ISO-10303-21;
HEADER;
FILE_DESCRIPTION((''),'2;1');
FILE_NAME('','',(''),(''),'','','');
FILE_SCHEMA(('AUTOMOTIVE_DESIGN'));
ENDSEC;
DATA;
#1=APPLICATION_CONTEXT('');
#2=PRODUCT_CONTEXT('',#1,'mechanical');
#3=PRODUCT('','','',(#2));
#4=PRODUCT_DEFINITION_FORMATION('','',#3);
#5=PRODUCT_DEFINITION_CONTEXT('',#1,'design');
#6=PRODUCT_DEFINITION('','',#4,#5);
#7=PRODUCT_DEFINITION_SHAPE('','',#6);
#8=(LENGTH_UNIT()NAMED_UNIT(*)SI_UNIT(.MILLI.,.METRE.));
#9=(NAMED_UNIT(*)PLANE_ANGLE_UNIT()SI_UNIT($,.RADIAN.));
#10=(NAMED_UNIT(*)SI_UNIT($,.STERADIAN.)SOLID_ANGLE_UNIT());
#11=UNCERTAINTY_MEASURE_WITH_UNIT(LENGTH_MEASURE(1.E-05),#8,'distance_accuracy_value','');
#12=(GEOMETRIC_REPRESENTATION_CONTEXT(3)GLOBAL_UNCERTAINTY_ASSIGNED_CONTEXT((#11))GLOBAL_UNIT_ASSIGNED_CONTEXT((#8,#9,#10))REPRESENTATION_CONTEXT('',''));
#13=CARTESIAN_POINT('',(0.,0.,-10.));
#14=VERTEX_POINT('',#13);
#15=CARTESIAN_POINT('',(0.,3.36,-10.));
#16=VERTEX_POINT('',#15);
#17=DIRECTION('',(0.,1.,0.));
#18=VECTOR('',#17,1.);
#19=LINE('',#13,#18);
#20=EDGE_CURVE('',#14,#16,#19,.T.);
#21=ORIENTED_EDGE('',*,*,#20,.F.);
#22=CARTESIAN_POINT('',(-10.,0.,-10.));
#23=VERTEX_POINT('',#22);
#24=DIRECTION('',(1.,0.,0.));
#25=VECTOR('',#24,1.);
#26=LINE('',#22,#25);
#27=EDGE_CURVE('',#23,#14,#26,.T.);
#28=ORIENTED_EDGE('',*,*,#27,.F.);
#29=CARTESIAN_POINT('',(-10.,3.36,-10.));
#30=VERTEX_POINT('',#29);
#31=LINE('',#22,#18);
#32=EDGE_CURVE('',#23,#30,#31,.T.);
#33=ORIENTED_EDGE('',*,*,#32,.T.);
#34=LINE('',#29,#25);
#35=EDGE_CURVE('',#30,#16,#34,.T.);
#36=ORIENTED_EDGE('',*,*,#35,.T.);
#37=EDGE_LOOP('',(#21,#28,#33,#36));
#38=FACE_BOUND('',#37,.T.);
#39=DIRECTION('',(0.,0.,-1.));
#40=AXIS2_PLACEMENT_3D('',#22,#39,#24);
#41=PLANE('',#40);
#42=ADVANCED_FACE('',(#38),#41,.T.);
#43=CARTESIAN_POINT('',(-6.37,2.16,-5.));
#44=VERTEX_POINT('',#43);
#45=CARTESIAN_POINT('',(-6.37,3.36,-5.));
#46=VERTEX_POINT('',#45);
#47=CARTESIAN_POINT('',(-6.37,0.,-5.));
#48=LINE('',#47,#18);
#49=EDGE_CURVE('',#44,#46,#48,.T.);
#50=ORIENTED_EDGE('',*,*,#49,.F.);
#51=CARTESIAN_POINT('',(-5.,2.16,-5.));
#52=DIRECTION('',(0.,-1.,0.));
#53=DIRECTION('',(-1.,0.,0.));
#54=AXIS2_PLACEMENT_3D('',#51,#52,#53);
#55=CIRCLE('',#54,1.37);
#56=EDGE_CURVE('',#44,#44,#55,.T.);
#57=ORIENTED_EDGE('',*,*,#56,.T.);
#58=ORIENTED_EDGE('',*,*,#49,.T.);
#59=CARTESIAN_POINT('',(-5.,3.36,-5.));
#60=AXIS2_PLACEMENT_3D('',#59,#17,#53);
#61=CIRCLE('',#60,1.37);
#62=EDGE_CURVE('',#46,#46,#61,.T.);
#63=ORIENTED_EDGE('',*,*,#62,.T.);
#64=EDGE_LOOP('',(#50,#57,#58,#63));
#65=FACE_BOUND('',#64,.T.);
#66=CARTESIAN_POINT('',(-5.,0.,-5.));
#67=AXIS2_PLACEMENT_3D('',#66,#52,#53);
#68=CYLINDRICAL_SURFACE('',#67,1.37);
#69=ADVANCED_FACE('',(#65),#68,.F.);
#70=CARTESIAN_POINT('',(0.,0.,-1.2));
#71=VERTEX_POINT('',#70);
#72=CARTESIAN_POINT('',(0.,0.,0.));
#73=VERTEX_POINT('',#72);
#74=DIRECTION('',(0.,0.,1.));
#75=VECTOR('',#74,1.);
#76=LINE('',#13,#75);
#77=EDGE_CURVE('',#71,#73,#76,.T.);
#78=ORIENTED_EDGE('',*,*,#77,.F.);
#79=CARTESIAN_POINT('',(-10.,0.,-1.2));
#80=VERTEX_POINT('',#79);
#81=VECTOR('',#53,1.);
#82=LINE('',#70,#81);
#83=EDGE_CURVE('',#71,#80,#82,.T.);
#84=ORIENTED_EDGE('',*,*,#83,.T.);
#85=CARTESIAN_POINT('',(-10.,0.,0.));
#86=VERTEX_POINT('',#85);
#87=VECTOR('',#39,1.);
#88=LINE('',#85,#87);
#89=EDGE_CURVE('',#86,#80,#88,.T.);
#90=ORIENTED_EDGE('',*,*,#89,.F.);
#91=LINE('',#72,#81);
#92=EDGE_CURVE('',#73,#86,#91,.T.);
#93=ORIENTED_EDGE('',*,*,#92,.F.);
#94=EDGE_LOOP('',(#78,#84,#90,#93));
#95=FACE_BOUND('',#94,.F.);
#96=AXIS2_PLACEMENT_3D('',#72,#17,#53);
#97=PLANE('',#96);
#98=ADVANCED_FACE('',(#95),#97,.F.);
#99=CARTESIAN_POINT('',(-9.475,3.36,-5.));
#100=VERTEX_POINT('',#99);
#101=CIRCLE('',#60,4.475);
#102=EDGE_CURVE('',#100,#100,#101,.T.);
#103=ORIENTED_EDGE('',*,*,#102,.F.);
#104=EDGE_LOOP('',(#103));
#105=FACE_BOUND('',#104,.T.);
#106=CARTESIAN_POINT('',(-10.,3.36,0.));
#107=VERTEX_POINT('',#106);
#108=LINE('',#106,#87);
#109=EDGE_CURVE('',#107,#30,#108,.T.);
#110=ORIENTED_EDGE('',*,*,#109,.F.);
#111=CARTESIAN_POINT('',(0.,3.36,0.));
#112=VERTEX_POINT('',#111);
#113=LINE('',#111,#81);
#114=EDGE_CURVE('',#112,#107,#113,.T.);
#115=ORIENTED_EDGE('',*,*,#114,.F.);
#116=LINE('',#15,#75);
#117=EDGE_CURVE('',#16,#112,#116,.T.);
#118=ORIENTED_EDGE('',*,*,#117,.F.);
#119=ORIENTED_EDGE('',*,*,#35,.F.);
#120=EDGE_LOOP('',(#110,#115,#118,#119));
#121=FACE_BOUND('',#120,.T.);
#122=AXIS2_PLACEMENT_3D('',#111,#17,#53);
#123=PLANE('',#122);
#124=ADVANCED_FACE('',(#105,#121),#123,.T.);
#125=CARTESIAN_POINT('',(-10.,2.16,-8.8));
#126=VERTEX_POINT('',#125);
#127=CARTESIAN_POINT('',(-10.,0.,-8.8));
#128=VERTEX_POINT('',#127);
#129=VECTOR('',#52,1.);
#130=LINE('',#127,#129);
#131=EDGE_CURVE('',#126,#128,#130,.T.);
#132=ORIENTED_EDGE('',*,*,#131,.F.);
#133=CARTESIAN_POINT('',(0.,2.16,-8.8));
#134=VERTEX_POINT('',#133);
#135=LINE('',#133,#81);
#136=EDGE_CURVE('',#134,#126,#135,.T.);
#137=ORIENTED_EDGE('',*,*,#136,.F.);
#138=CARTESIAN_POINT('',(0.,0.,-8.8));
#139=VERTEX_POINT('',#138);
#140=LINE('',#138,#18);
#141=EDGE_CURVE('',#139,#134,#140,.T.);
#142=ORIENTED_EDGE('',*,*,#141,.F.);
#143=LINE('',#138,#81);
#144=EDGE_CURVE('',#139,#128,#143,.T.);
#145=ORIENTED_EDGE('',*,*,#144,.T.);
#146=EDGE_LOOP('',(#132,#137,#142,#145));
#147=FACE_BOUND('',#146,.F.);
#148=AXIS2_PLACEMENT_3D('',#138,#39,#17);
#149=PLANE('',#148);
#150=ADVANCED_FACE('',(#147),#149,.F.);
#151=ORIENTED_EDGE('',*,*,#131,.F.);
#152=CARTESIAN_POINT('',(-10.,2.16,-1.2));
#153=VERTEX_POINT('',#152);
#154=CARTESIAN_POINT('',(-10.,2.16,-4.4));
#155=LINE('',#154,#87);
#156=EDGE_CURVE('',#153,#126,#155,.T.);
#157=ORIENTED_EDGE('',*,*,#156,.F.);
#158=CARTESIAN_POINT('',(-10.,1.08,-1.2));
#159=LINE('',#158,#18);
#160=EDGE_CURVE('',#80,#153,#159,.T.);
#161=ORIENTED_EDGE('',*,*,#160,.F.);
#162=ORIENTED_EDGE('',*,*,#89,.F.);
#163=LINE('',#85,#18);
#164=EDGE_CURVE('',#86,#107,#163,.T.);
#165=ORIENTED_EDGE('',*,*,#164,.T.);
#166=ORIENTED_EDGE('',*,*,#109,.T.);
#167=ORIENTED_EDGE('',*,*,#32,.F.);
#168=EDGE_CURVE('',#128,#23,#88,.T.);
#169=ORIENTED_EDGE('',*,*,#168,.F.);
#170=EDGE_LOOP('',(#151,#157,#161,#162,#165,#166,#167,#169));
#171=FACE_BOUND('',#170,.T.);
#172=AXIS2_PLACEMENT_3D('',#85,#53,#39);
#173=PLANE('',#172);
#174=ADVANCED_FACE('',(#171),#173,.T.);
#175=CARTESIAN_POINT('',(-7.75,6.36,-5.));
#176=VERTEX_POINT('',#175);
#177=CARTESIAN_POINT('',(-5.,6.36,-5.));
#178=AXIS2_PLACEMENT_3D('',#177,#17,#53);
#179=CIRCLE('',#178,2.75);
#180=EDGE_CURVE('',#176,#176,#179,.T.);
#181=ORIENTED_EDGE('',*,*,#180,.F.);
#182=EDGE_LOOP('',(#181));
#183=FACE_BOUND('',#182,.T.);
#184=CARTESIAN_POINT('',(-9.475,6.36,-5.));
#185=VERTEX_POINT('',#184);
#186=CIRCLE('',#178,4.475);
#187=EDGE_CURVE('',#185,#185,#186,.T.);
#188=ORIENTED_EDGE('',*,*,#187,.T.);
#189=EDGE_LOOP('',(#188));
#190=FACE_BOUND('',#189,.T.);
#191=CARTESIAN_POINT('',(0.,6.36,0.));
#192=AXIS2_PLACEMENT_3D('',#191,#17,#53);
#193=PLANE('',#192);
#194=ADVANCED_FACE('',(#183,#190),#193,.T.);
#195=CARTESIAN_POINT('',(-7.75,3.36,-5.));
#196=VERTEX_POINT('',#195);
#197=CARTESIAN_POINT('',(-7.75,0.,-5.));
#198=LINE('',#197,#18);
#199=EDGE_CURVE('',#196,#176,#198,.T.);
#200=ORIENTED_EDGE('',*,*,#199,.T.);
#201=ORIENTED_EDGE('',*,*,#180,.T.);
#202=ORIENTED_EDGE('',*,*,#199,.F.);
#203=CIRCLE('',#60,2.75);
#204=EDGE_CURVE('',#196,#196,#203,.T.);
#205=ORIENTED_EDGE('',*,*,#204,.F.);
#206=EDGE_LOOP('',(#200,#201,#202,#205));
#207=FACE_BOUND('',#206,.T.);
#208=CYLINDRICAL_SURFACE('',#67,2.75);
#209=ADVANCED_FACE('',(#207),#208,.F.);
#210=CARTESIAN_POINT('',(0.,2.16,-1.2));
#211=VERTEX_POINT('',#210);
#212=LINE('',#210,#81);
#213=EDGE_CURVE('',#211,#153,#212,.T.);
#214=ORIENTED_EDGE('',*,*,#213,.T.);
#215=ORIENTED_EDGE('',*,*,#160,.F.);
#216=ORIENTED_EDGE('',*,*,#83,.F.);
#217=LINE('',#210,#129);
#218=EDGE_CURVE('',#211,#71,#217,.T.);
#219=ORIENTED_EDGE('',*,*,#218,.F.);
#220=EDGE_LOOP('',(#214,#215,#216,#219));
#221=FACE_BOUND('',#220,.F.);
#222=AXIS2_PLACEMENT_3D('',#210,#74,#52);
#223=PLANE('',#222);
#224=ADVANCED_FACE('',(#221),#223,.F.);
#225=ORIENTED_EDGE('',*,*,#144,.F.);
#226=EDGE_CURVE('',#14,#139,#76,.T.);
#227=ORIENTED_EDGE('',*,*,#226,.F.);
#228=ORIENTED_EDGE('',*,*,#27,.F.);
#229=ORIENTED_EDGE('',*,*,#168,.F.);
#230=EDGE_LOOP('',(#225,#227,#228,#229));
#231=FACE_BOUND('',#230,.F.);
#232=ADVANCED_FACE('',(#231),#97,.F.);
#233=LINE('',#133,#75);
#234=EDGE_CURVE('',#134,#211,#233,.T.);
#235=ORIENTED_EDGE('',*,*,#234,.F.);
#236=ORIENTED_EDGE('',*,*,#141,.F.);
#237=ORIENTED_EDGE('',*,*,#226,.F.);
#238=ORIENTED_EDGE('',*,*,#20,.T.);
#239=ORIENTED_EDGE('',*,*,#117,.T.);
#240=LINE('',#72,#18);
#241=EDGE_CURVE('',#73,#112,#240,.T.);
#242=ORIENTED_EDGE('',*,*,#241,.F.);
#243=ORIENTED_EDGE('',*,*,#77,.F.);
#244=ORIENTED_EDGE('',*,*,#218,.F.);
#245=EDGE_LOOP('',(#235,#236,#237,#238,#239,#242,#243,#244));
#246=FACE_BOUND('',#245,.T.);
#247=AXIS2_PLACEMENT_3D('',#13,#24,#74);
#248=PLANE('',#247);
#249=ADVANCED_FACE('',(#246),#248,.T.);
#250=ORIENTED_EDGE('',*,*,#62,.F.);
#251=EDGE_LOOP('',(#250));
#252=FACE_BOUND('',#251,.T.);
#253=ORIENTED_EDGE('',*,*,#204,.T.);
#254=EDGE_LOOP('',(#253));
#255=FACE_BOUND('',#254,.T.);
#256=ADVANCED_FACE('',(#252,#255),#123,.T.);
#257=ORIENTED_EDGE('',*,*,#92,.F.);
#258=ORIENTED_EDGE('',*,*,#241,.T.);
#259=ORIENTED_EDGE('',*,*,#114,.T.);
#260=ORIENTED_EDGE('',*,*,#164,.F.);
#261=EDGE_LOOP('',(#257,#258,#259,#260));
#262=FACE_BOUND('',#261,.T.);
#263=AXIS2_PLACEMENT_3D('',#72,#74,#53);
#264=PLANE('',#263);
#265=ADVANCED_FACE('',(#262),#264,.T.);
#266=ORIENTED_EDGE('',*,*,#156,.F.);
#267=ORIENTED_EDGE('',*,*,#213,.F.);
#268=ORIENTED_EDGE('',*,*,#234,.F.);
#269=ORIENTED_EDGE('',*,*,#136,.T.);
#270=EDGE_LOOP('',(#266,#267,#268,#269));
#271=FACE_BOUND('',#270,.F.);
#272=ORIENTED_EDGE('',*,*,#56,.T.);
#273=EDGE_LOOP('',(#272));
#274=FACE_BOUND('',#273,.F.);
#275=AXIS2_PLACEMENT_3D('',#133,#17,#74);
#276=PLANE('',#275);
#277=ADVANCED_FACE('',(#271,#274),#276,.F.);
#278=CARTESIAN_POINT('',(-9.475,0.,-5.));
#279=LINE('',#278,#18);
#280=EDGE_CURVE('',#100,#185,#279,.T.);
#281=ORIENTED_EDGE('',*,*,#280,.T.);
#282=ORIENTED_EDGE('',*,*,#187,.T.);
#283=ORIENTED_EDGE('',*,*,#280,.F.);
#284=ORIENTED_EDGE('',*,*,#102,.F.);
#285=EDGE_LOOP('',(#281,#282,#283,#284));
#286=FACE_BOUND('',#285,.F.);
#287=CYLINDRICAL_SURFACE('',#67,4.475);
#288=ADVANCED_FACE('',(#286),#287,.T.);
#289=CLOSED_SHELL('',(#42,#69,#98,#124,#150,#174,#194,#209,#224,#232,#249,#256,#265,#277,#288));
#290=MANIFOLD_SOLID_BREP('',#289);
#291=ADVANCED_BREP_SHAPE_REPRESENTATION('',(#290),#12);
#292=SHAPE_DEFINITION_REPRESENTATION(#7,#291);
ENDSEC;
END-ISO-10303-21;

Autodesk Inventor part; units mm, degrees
ref_plane "YZ Plane" through (0, 0, 0) normal (1, 0, 0) x (0, 1, 0)
ref_plane "XZ Plane" through (0, 0, 0) normal (0, 1, 0) x (-1, 0, 0)
ref_plane "XY Plane" through (0, 0, 0) normal (0, 0, 1) x (1, 0, 0)
sketch "Sketch1" plane through (0, 0, 0) normal (0, 1, 0) x (-1, 0, 0)
  line L0 (0, 0) -> (10, 0)
  line L1 (10, 0) -> (10, -10)
  line L2 (10, -10) -> (0, -10)
  line L3 (0, -10) -> (0, 0)
  circle A0 centre (5, -5) radius 4.475
  circle A1 centre (5, -5) radius 2.75
  circle A2 centre (5, -5) radius 1.37
  dimension "d0" = 10
  dimension "d1" = 10
  dimension "d2" = 8.95
  dimension "d3" = 5
  dimension "d4" = 5
  dimension "d5" = 5.5
  dimension "d6" = 2.74
extrude "Extrusion1" add sketch "Sketch1" along normal blind 3.36 contours L0 L1 L2 L3
extrude "Extrusion2" add sketch "Sketch1" along normal blind 6.36 contours A0
extrude "Extrusion3" add sketch "Sketch1" along normal blind 3.36 contours A1
sketch "Sketch2" plane through (0, 0, 0) normal (1, 0, 0) x (0, 0, -1)
  line L0 (1.2, 0) -> (8.8, 0)
  line L1 (8.8, 0) -> (8.8, 2.16)
  line L2 (8.8, 2.16) -> (1.2, 2.16)
  line L3 (1.2, 2.16) -> (1.2, 0)
  line L4 (0, 0) -> (10, 0) projected
  dimension "d13" = 7.6
  dimension "d14" = 2.16
  dimension "d15" = 0
  dimension "d16" = 1.2
extrude "Extrusion4" cut sketch "Sketch2" against normal through all
properties part number "Standard Servo Horn - Linear Holder"
